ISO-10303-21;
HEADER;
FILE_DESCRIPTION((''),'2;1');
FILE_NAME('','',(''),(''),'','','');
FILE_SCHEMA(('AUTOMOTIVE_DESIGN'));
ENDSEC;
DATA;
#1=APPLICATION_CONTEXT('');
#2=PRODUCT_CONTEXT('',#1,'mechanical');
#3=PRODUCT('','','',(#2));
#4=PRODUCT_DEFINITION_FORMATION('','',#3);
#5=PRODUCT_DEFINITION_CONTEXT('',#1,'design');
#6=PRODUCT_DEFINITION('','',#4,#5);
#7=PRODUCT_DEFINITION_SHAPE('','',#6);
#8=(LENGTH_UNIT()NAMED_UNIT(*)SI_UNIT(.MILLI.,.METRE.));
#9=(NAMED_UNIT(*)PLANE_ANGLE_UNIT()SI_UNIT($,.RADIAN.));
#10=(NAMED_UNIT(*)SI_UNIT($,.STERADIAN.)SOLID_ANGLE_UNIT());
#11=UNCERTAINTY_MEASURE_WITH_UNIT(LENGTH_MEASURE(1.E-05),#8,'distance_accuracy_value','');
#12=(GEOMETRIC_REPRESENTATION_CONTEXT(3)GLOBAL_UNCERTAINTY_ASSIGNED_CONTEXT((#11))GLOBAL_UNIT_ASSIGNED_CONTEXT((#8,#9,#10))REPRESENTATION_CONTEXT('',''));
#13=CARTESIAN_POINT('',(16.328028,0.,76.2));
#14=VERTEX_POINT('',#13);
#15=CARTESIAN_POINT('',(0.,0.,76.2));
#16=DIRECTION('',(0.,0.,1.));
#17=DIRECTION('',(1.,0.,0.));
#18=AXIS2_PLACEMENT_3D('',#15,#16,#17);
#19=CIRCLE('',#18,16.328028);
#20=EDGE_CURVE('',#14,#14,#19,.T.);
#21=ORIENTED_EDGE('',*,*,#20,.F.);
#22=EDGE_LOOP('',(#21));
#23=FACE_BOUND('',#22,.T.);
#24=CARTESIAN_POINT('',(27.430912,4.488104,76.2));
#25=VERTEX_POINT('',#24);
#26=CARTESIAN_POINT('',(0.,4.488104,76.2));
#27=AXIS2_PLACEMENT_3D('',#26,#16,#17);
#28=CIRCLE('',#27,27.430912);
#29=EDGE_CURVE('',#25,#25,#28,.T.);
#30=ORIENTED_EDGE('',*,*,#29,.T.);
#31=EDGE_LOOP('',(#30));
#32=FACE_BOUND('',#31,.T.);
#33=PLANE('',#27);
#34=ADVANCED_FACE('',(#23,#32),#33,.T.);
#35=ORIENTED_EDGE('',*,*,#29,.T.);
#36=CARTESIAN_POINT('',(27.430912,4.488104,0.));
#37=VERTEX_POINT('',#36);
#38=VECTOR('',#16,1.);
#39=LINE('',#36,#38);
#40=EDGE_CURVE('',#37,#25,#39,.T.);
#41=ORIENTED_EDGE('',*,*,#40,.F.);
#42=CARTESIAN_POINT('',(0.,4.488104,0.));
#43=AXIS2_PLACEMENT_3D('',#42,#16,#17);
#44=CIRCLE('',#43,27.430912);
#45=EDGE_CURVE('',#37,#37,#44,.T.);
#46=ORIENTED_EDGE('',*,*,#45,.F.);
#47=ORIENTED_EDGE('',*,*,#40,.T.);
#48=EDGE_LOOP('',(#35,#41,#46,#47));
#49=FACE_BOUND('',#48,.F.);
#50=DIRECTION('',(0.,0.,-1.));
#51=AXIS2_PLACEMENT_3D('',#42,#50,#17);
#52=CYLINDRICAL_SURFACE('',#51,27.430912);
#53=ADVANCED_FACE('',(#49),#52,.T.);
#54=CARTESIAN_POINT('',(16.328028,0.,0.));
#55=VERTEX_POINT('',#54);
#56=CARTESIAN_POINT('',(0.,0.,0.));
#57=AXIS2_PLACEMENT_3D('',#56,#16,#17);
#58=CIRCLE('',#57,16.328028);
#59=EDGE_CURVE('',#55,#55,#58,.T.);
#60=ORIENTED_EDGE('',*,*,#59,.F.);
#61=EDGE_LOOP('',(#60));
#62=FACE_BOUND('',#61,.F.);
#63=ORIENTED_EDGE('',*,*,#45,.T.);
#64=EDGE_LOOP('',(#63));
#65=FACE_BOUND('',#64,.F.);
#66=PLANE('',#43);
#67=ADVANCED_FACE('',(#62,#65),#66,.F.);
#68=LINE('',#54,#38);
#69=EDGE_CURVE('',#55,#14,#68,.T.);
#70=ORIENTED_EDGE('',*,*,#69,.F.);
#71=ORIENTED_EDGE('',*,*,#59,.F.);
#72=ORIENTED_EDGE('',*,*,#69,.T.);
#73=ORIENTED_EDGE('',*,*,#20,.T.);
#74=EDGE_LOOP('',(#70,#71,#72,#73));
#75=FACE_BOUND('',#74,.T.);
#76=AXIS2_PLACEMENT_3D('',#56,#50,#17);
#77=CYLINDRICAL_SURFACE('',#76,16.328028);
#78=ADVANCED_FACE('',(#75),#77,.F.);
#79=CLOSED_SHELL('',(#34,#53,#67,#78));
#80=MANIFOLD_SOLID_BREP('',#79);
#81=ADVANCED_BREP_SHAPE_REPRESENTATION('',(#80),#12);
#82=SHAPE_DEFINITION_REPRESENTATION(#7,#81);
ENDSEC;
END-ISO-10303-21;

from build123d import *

# Parameters (mm, degrees)
F0_R     = 27.430912
F0_R_2   = 16.328028
F1_DEPTH = 76.2


with BuildPart() as f1:
    # F0 (on Top) → F1 (new body)
    with BuildSketch(Plane.XY):
        with Locations((0, 4.488104)):
            Circle(F0_R)
        Circle(F0_R_2, mode=Mode.SUBTRACT)
    extrude(amount=F1_DEPTH)


solid = f1.part
